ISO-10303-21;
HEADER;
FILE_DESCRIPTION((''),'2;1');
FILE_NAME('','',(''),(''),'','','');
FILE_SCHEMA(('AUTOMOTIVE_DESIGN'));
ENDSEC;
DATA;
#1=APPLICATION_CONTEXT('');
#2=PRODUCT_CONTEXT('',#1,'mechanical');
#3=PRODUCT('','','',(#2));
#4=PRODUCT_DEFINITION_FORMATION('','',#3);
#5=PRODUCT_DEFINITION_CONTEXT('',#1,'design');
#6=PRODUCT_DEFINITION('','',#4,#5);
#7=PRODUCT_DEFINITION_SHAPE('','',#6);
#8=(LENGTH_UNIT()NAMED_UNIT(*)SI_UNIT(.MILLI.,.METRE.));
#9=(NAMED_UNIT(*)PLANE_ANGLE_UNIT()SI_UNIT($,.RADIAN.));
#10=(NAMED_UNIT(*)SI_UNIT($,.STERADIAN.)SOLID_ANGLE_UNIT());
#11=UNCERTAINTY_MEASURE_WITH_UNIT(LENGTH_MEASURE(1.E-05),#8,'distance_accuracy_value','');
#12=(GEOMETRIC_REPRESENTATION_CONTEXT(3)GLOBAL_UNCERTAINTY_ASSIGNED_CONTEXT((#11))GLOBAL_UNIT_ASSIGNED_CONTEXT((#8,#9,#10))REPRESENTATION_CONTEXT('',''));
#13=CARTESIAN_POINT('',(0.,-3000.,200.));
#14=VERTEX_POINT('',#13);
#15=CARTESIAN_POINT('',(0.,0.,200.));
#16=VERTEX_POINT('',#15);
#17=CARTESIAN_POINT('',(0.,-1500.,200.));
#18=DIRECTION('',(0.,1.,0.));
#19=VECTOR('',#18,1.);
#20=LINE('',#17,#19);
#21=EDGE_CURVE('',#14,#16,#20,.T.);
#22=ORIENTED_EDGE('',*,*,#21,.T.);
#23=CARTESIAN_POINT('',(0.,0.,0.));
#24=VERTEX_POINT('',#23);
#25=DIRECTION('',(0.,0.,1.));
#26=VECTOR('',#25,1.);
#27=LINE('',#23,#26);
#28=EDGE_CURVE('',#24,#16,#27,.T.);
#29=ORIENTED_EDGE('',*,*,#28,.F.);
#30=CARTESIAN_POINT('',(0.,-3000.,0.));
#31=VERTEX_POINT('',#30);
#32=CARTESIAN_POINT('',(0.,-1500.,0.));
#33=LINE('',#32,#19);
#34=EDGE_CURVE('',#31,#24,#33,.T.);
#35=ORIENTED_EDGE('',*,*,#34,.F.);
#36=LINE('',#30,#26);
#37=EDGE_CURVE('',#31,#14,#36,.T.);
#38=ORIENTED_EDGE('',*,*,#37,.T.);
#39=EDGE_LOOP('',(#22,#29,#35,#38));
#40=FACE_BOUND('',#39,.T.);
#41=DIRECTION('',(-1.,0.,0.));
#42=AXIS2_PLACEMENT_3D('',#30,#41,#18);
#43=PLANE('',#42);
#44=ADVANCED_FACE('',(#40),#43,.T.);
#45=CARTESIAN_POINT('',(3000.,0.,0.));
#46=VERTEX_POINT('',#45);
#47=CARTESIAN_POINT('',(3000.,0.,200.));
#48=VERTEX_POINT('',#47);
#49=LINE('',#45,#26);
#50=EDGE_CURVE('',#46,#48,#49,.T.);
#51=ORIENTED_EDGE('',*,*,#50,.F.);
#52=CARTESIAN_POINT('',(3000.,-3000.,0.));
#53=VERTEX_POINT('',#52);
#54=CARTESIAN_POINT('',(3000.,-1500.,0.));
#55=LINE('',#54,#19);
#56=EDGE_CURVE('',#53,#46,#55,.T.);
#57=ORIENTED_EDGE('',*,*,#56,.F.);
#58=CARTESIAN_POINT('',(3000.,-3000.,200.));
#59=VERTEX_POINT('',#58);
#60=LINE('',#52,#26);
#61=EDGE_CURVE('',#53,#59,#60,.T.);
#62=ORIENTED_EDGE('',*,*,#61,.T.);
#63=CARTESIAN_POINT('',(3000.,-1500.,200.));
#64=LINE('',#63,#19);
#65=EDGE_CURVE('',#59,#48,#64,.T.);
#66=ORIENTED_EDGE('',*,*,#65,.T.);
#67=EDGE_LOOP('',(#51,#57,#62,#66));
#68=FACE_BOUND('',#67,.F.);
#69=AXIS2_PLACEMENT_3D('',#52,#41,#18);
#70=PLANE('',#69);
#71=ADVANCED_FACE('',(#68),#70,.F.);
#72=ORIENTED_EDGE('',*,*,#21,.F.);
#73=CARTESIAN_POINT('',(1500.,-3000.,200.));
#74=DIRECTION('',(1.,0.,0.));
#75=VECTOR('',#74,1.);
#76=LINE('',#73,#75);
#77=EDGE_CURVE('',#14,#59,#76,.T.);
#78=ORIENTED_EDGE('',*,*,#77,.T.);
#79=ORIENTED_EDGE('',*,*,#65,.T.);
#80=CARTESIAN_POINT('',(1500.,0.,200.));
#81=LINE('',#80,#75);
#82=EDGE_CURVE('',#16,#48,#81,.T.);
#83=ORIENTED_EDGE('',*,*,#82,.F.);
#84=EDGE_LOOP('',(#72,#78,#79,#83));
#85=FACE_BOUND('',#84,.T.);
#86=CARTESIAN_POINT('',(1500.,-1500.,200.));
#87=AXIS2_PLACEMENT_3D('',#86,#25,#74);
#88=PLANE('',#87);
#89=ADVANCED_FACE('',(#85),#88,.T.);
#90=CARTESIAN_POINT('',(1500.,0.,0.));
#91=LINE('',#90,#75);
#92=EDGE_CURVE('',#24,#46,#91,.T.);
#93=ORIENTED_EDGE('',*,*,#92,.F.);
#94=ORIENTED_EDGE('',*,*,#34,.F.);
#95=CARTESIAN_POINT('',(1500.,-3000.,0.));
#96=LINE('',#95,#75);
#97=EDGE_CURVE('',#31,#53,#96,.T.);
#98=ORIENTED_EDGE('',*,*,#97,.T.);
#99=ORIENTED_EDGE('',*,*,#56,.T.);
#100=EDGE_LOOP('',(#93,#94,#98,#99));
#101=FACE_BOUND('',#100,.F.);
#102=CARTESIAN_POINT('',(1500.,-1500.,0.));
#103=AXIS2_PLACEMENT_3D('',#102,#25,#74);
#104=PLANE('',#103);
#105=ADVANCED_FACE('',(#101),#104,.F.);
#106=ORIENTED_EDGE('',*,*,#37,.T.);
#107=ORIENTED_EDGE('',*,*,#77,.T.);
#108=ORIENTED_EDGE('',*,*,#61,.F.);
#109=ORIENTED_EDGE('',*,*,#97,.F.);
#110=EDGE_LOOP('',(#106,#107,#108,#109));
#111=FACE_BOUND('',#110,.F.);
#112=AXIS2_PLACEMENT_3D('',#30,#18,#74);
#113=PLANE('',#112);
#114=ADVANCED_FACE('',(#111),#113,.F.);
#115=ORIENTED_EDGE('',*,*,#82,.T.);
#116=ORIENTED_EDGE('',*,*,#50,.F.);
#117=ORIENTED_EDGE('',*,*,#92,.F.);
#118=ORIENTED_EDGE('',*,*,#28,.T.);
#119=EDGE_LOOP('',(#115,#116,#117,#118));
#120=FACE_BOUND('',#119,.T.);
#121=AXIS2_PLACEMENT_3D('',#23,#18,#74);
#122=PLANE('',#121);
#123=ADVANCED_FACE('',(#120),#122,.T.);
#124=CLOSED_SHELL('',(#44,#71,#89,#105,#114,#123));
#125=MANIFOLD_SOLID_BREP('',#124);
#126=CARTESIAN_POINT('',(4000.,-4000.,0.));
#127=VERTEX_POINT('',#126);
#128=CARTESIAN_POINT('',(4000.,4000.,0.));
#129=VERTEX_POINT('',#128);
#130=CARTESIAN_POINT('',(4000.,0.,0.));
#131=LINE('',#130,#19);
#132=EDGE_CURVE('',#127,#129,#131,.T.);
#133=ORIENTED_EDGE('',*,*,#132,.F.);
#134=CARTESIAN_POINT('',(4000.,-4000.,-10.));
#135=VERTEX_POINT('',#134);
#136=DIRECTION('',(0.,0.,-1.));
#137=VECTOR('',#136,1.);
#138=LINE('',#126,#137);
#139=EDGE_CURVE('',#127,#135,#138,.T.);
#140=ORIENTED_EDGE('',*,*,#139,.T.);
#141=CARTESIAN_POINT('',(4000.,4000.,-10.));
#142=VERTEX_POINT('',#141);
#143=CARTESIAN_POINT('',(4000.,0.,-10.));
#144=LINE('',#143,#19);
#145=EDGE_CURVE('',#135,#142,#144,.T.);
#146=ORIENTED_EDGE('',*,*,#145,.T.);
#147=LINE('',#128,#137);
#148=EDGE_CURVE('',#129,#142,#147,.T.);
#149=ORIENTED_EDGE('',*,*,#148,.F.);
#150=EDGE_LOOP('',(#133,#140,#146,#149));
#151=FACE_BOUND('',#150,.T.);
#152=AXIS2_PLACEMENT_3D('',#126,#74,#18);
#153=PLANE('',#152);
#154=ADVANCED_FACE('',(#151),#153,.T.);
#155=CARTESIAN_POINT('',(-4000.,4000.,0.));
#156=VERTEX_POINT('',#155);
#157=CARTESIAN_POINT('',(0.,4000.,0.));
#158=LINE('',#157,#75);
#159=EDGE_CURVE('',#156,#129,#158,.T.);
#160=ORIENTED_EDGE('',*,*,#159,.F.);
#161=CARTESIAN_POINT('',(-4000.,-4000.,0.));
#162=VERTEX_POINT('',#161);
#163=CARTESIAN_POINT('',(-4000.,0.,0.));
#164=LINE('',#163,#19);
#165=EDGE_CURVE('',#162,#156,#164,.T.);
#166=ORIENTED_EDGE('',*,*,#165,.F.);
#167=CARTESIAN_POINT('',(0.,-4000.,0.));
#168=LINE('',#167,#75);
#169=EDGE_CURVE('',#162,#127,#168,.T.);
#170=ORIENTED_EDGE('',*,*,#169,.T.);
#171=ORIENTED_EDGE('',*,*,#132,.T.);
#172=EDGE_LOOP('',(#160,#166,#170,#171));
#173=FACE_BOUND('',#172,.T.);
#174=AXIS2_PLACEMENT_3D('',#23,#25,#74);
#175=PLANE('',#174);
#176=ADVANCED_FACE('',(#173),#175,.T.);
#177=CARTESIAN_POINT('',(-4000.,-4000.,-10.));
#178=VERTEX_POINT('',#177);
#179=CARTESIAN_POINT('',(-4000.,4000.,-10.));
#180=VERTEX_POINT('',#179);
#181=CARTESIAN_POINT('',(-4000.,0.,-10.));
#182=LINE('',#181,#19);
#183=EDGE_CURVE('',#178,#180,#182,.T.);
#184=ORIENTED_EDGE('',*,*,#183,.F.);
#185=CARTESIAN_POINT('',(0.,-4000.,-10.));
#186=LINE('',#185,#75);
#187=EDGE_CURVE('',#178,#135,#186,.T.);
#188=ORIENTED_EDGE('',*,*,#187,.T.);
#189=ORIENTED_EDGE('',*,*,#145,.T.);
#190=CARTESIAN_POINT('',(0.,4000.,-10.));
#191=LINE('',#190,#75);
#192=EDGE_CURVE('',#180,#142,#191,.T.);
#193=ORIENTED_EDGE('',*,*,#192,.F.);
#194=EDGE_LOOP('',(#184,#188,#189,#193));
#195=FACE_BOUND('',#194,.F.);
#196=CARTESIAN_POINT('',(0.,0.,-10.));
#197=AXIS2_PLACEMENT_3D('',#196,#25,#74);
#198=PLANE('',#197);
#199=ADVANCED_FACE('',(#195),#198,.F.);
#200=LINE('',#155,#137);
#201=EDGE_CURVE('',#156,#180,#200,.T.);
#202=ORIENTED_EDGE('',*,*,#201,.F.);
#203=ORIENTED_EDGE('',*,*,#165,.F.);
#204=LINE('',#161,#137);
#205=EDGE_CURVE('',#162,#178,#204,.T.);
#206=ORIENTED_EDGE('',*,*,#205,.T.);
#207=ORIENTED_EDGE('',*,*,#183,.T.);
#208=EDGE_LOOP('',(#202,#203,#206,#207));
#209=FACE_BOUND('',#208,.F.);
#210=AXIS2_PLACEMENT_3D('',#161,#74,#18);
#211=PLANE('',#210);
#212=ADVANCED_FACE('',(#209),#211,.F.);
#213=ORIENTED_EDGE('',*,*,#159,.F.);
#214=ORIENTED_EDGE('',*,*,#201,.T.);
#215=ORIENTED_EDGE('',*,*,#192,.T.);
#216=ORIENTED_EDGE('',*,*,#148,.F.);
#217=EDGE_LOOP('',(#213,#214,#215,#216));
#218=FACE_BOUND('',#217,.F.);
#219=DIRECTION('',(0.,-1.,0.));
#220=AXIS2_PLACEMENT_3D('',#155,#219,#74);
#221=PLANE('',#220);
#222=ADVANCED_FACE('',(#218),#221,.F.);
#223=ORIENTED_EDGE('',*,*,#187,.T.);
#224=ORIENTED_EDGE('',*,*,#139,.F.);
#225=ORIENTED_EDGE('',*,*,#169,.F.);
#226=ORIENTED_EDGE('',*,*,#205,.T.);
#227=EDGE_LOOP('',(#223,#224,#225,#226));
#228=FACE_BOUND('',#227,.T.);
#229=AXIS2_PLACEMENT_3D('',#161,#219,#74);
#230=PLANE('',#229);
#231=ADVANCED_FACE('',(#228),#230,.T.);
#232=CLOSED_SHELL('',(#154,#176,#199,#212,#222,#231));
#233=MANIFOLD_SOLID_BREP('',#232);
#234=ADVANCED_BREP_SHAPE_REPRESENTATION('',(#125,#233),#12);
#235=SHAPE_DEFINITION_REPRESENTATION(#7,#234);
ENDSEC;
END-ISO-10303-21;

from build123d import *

# Parameters (mm, degrees)
F0_W     = 8000
F0_H     = 8000
F1_DEPTH = 10
F2_W     = 3000
F2_H     = 3000
F3_DEPTH = 200


with BuildPart() as f1:
    # F0 (on Top) → F1 (new body)
    with BuildSketch(Plane.XY):
        Rectangle(F0_W, F0_H)
    extrude(amount=-F1_DEPTH)


with BuildPart() as f3:
    # F2 (on face) → F3 (new body)
    with BuildSketch(Plane.XY):
        with Locations((1500, -1500)):
            Rectangle(F2_W, F2_H)
    extrude(amount=F3_DEPTH)


solid = Compound([f1.part, f3.part])
